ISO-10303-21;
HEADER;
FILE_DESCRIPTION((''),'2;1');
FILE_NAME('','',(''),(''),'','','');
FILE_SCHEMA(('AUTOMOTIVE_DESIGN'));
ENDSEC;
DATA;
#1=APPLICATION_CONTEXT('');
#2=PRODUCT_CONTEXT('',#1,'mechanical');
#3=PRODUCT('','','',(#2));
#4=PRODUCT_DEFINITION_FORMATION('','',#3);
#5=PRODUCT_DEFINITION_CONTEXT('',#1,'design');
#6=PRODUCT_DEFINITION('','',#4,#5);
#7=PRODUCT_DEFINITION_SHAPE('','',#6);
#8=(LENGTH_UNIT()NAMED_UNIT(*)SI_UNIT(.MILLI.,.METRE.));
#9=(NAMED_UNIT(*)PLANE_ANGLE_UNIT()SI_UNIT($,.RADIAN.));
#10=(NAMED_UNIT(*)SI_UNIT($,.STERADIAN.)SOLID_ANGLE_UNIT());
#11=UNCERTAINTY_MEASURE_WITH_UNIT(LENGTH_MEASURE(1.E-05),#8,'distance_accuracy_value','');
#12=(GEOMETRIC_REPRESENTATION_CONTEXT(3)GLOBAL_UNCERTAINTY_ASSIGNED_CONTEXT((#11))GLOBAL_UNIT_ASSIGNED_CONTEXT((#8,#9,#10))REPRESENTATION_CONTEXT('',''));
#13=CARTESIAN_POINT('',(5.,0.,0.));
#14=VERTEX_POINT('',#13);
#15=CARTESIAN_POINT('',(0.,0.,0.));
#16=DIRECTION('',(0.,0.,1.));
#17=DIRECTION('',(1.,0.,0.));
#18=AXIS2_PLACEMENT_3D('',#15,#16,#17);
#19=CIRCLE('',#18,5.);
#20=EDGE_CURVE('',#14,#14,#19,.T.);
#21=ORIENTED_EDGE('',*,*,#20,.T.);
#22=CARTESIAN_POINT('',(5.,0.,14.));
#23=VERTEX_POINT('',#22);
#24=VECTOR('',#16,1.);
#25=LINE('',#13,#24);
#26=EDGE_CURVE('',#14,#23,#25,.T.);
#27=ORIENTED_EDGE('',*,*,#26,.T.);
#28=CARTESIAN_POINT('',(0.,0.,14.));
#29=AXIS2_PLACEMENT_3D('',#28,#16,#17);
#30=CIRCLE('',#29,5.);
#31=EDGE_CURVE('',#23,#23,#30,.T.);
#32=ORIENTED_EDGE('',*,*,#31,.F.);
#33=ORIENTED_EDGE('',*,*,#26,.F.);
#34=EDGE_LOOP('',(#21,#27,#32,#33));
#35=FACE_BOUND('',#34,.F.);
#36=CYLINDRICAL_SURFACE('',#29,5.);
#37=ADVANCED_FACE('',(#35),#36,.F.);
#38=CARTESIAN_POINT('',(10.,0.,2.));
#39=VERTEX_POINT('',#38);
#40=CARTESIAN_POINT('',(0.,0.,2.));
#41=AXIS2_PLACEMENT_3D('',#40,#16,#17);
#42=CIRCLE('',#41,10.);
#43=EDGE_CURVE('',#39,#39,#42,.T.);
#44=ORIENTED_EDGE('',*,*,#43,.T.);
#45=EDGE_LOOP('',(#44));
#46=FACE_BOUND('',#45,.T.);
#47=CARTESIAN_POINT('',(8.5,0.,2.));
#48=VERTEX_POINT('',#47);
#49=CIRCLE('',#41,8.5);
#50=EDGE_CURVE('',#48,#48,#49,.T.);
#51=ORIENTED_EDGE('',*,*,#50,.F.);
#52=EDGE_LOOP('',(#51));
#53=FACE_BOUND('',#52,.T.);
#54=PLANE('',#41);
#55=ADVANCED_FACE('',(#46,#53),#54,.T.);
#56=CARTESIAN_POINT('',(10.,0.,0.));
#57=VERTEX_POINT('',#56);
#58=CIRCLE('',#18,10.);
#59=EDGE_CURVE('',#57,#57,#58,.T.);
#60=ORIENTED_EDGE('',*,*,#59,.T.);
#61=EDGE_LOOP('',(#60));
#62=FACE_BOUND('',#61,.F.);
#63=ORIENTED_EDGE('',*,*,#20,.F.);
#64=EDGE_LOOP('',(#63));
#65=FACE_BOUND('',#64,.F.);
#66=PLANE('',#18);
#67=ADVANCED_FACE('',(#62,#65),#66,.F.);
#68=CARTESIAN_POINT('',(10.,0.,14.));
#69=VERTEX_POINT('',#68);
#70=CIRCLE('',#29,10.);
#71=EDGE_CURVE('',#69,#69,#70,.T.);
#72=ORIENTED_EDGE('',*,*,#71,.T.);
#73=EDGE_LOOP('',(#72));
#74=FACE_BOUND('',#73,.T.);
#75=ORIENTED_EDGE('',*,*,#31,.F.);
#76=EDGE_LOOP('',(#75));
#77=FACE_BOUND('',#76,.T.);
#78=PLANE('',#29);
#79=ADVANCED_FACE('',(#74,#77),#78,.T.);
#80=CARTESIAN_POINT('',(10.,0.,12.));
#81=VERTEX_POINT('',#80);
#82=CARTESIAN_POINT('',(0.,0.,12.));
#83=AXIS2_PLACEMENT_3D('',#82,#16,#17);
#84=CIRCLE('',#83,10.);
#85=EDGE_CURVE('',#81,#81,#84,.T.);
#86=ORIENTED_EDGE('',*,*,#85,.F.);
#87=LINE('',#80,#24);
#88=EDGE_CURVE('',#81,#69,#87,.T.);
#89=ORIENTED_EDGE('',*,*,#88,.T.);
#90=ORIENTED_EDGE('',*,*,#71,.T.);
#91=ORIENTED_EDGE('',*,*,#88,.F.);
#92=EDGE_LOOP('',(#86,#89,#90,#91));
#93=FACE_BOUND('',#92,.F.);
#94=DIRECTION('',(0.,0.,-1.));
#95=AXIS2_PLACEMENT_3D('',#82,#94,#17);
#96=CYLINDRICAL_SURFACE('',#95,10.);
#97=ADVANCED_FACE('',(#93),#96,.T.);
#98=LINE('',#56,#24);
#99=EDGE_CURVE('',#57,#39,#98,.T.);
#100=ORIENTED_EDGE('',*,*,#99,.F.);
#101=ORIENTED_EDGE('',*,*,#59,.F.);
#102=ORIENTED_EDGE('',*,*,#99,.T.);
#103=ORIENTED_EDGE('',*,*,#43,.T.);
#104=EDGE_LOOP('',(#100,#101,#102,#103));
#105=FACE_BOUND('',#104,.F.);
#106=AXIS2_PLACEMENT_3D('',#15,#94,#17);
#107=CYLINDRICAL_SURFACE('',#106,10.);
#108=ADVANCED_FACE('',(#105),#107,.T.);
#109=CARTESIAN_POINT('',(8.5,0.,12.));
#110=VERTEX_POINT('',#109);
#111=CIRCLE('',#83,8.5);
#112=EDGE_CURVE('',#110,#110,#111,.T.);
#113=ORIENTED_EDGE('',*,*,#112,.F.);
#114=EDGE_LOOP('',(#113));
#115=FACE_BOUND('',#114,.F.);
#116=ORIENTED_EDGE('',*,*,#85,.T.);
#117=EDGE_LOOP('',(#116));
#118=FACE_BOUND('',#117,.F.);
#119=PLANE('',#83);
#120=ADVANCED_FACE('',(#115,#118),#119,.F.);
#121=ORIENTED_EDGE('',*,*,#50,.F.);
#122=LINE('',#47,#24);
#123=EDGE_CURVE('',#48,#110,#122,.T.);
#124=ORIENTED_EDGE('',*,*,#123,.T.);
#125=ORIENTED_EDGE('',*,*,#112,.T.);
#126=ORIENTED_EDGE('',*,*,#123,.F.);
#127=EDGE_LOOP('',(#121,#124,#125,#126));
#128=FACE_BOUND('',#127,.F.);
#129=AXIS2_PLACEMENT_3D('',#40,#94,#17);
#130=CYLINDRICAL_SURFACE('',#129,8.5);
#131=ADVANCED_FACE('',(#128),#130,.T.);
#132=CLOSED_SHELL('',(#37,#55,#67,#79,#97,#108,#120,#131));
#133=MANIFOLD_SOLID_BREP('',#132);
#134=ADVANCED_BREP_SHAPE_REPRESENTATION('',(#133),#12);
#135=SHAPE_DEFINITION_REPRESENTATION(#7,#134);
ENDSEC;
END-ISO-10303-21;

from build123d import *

# Parameters (mm, degrees)
F0_R          = 10
F1_DEPTH      = 2
F2_R          = 8.5
F3_DEPTH      = 10
F4_R          = 10
F5_DEPTH      = 2
F6_R          = 5
F7_DEPTH      = 20
F7_DEPTH_BACK = 6


with BuildPart() as f1:
    # F0 (on Top) → F1 (new body)
    with BuildSketch(Plane.XY):
        Circle(F0_R)
    extrude(amount=F1_DEPTH)

    # F2 (on face) → F3 (join)
    with BuildSketch(Plane.XY.offset(2)):
        Circle(F2_R)
    extrude(amount=F3_DEPTH)

    # F4 (on face) → F5 (join)
    with BuildSketch(Plane.XY.offset(12)):
        Circle(F4_R)
    extrude(amount=F5_DEPTH)

    # F6 (on face) → F7 (cut, two sides)
    with BuildSketch(Plane.XY.offset(14)) as f7_sk:
        Circle(F6_R)
    extrude(amount=-F7_DEPTH, mode=Mode.SUBTRACT)
    extrude(f7_sk.sketch, amount=-F7_DEPTH_BACK, mode=Mode.SUBTRACT)


solid = f1.part
